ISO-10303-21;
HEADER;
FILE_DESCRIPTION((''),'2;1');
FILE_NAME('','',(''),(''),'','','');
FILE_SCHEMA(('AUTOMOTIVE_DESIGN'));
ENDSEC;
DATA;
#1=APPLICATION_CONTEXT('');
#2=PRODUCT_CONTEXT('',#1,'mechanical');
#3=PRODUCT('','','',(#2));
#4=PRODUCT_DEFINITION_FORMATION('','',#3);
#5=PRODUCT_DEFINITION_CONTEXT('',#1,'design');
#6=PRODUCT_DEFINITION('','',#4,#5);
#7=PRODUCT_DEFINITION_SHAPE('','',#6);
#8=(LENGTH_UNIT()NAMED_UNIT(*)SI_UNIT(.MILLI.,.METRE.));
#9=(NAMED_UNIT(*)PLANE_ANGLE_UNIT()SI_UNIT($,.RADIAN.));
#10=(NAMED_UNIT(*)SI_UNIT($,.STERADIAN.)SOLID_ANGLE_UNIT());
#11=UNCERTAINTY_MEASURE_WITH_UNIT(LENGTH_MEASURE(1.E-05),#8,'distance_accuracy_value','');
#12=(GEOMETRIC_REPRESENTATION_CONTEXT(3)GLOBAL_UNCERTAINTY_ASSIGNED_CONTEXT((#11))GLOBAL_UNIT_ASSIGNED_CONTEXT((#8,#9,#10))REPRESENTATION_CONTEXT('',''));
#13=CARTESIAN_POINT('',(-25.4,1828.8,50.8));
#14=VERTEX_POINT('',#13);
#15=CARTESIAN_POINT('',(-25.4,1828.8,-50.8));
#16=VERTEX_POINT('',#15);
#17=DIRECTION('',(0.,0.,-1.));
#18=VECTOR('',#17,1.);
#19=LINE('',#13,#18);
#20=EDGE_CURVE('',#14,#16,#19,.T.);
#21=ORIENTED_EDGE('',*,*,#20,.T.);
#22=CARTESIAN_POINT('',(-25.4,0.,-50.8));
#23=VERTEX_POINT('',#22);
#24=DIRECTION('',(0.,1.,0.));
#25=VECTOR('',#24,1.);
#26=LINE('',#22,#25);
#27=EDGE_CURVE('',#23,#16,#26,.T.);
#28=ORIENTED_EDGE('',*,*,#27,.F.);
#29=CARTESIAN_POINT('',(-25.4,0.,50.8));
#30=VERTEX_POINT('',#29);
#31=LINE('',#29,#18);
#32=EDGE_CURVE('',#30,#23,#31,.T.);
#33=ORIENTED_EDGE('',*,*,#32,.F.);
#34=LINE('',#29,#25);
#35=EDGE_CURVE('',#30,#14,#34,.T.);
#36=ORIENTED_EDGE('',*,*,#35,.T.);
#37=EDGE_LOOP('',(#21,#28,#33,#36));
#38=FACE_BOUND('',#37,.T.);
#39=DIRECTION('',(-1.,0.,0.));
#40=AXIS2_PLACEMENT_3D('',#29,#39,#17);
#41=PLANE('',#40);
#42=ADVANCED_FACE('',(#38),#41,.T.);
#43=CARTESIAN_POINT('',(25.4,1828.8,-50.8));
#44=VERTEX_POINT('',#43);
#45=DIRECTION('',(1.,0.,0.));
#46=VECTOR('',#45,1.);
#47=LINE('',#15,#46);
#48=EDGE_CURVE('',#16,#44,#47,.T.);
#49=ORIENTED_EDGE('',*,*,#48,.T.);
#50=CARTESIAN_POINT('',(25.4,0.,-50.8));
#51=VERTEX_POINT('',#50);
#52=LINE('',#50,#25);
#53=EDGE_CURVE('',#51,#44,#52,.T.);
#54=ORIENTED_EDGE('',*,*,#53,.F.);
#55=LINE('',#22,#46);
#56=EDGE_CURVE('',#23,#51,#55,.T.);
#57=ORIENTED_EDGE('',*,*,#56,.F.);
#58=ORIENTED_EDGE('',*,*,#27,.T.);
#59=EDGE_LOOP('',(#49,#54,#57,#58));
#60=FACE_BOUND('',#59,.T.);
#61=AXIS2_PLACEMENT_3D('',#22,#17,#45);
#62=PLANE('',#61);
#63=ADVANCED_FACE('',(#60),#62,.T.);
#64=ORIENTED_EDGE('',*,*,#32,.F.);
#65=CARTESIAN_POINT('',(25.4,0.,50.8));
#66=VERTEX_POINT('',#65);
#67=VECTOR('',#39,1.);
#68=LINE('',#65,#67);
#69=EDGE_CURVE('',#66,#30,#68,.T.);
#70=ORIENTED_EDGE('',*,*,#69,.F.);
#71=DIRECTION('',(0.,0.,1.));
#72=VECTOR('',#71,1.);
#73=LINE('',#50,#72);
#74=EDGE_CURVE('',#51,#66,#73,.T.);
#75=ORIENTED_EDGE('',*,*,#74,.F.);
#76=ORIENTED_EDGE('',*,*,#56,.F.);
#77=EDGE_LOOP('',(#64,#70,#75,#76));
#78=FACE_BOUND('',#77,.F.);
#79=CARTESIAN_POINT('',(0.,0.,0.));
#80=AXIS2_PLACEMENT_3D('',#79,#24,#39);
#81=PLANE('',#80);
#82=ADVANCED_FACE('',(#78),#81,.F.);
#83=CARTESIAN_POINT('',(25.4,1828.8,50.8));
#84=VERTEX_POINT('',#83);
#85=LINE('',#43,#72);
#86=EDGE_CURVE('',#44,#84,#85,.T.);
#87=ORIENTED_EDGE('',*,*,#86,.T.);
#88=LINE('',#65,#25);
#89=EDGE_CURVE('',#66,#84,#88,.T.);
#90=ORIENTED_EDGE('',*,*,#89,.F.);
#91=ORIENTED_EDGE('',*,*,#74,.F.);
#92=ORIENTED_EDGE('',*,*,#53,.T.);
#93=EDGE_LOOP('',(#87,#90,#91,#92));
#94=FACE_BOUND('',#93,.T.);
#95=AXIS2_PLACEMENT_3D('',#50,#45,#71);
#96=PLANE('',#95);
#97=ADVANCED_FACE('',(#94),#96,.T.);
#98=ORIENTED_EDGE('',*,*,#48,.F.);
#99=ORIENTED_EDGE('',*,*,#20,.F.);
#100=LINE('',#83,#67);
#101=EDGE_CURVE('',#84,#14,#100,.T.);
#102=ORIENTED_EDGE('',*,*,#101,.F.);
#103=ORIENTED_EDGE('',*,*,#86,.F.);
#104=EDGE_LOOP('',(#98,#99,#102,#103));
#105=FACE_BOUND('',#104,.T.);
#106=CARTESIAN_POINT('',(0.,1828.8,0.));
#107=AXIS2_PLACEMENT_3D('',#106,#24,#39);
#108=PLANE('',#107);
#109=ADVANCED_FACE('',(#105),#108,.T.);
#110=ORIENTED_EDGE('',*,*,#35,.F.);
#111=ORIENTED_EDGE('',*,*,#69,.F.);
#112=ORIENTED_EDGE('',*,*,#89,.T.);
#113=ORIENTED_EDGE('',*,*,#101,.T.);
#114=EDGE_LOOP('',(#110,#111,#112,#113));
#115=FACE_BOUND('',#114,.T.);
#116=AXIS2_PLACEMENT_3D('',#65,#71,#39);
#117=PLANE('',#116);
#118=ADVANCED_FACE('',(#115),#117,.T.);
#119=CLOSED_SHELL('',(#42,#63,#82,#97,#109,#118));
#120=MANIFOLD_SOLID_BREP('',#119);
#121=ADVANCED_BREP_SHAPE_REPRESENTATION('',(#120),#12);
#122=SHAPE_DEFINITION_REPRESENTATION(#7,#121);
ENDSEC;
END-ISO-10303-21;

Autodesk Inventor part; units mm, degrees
ref_plane "YZ Plane" through (0, 0, 0) normal (1, 0, 0) x (0, 1, 0)
ref_plane "XZ Plane" through (0, 0, 0) normal (0, 1, 0) x (-1, 0, 0)
ref_plane "XY Plane" through (0, 0, 0) normal (0, 0, 1) x (1, 0, 0)
sketch "Sketch1" plane through (0, 0, 0) normal (0, 1, 0) x (-1, 0, 0)
  line L0 (-25.4, 50.8) -> (25.4, 50.8)
  line L1 (25.4, 50.8) -> (25.4, -50.8)
  line L2 (25.4, -50.8) -> (-25.4, -50.8)
  line L3 (-25.4, -50.8) -> (-25.4, 50.8)
  line L4 (-25.4, 50.8) -> (25.4, -50.8) construction
  line L5 (25.4, 50.8) -> (-25.4, -50.8) construction
  point P0 (0, 0)
  dimension "d0" = 50.8
  dimension "d1" = 101.6
extrude "Extrusion1" add sketch "Sketch1" along normal blind 1828.8
properties part number "2x4x72" material "Wood (Birch)"
